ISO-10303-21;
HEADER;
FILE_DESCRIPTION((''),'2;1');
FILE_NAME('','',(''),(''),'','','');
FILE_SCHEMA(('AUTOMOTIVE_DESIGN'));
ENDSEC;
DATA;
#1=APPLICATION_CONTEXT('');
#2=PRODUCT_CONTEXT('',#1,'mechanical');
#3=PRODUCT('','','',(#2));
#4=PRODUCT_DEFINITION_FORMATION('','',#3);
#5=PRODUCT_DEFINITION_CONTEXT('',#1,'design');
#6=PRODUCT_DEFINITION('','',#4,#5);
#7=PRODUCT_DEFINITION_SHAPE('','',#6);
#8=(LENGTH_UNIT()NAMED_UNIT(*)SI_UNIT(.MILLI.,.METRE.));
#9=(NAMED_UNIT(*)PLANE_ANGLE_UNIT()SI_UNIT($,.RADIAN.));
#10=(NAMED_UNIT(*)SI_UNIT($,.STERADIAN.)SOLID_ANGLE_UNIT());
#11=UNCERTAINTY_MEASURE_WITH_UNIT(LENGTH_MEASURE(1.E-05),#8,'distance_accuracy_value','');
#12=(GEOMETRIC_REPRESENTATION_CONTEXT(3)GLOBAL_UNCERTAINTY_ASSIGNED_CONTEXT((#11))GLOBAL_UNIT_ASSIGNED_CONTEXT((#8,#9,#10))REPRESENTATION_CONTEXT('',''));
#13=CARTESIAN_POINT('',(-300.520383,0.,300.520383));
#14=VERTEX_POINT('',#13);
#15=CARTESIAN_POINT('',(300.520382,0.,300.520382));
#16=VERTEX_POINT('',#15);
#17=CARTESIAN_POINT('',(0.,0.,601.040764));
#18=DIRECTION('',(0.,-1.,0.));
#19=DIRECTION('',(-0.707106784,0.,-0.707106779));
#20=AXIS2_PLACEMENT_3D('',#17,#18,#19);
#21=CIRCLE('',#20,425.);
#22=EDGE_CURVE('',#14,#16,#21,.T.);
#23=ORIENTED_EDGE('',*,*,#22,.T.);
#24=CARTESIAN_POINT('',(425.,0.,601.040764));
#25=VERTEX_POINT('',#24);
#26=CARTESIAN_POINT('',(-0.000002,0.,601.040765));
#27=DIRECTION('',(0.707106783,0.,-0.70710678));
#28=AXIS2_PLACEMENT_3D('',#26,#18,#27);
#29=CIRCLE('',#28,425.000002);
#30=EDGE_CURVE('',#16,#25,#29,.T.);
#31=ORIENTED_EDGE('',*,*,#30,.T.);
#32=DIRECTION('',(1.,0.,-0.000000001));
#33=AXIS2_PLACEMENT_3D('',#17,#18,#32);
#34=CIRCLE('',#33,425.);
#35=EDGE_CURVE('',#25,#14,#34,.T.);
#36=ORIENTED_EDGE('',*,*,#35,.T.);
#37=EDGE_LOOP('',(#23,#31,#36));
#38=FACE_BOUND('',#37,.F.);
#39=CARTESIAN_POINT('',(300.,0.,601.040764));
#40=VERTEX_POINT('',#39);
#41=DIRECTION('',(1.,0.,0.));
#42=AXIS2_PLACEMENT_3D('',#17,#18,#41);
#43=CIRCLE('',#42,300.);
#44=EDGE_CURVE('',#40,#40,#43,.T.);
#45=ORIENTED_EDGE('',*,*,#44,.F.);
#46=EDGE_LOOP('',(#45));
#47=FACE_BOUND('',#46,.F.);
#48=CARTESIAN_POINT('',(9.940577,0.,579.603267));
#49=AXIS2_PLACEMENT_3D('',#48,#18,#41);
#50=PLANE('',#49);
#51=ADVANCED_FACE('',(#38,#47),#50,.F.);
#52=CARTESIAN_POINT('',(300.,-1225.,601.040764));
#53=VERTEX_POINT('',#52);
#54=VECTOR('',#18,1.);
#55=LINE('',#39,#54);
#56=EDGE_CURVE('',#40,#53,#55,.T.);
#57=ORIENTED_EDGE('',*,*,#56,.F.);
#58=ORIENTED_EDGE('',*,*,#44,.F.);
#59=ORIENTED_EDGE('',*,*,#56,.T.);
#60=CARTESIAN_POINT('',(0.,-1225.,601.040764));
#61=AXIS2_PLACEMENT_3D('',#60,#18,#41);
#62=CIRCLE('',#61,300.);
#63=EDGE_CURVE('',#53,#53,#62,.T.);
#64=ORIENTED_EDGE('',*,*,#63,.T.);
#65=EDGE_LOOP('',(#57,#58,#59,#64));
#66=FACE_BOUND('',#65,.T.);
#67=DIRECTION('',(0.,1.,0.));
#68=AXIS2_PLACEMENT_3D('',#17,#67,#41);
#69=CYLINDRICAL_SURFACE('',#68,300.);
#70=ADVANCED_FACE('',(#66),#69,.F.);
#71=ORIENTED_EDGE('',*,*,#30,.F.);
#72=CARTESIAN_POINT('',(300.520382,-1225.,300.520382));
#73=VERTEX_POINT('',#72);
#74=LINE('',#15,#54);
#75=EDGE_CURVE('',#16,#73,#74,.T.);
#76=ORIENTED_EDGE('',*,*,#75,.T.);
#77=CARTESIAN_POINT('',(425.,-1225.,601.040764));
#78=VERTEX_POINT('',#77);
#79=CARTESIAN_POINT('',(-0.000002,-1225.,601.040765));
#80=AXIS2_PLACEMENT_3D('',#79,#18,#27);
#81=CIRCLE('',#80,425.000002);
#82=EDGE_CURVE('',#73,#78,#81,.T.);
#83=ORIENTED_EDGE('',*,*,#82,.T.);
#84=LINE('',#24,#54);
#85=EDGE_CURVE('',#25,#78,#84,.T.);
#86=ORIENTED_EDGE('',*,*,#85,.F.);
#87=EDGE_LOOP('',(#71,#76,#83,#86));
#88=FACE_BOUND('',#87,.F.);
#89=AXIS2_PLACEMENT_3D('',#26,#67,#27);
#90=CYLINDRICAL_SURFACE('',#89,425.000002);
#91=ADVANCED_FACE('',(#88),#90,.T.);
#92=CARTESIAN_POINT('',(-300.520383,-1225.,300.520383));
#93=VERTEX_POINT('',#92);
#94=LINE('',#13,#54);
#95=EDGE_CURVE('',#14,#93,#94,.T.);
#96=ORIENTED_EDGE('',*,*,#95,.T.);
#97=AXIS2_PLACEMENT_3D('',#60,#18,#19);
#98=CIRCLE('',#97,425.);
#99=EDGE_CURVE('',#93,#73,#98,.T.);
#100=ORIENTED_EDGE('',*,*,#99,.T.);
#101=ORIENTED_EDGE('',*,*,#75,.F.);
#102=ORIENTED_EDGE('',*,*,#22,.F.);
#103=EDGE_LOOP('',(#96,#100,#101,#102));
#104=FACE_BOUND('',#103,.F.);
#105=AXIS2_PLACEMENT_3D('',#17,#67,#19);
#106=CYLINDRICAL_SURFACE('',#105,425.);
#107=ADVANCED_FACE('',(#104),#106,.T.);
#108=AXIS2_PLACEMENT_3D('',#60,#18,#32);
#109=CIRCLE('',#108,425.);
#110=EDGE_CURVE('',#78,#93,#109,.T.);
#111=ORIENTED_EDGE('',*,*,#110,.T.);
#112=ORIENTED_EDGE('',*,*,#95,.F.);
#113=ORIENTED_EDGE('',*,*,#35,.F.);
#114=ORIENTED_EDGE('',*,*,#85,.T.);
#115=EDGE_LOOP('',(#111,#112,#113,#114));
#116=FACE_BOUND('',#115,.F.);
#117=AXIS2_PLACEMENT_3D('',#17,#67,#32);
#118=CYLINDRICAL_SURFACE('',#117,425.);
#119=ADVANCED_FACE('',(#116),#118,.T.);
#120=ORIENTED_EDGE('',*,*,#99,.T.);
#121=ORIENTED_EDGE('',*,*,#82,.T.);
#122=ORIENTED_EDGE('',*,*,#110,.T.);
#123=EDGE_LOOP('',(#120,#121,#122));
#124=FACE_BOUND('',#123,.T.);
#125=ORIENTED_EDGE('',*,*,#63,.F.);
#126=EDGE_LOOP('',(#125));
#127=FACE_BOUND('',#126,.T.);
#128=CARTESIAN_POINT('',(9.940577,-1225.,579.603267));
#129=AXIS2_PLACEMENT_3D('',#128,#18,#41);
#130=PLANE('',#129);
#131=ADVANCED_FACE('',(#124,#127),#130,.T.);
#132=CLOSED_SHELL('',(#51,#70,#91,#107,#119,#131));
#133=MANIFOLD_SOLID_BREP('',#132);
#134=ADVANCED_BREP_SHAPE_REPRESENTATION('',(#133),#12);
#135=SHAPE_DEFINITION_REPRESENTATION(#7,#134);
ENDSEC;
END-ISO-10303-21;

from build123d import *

# Parameters (mm, degrees)
F0_R     = 300
F1_DEPTH = 1225


with BuildPart() as f1:
    # F0 (on Front) → F1 (new body)
    with BuildSketch(Plane.XZ):
        with BuildLine():
            ThreePointArc((300.520382, 300.520382), (392.648801, 438.400305), (425, 601.040764))
            ThreePointArc((425, 601.040764), (-162.640458, 993.689566), (-300.520383, 300.520383))
            ThreePointArc((-300.520383, 300.520383), (-1e-06, 176.040764), (300.520382, 300.520382))
        make_face()
        with Locations((0, 601.040764)):
            Circle(F0_R, mode=Mode.SUBTRACT)
    extrude(amount=F1_DEPTH)


solid = f1.part
